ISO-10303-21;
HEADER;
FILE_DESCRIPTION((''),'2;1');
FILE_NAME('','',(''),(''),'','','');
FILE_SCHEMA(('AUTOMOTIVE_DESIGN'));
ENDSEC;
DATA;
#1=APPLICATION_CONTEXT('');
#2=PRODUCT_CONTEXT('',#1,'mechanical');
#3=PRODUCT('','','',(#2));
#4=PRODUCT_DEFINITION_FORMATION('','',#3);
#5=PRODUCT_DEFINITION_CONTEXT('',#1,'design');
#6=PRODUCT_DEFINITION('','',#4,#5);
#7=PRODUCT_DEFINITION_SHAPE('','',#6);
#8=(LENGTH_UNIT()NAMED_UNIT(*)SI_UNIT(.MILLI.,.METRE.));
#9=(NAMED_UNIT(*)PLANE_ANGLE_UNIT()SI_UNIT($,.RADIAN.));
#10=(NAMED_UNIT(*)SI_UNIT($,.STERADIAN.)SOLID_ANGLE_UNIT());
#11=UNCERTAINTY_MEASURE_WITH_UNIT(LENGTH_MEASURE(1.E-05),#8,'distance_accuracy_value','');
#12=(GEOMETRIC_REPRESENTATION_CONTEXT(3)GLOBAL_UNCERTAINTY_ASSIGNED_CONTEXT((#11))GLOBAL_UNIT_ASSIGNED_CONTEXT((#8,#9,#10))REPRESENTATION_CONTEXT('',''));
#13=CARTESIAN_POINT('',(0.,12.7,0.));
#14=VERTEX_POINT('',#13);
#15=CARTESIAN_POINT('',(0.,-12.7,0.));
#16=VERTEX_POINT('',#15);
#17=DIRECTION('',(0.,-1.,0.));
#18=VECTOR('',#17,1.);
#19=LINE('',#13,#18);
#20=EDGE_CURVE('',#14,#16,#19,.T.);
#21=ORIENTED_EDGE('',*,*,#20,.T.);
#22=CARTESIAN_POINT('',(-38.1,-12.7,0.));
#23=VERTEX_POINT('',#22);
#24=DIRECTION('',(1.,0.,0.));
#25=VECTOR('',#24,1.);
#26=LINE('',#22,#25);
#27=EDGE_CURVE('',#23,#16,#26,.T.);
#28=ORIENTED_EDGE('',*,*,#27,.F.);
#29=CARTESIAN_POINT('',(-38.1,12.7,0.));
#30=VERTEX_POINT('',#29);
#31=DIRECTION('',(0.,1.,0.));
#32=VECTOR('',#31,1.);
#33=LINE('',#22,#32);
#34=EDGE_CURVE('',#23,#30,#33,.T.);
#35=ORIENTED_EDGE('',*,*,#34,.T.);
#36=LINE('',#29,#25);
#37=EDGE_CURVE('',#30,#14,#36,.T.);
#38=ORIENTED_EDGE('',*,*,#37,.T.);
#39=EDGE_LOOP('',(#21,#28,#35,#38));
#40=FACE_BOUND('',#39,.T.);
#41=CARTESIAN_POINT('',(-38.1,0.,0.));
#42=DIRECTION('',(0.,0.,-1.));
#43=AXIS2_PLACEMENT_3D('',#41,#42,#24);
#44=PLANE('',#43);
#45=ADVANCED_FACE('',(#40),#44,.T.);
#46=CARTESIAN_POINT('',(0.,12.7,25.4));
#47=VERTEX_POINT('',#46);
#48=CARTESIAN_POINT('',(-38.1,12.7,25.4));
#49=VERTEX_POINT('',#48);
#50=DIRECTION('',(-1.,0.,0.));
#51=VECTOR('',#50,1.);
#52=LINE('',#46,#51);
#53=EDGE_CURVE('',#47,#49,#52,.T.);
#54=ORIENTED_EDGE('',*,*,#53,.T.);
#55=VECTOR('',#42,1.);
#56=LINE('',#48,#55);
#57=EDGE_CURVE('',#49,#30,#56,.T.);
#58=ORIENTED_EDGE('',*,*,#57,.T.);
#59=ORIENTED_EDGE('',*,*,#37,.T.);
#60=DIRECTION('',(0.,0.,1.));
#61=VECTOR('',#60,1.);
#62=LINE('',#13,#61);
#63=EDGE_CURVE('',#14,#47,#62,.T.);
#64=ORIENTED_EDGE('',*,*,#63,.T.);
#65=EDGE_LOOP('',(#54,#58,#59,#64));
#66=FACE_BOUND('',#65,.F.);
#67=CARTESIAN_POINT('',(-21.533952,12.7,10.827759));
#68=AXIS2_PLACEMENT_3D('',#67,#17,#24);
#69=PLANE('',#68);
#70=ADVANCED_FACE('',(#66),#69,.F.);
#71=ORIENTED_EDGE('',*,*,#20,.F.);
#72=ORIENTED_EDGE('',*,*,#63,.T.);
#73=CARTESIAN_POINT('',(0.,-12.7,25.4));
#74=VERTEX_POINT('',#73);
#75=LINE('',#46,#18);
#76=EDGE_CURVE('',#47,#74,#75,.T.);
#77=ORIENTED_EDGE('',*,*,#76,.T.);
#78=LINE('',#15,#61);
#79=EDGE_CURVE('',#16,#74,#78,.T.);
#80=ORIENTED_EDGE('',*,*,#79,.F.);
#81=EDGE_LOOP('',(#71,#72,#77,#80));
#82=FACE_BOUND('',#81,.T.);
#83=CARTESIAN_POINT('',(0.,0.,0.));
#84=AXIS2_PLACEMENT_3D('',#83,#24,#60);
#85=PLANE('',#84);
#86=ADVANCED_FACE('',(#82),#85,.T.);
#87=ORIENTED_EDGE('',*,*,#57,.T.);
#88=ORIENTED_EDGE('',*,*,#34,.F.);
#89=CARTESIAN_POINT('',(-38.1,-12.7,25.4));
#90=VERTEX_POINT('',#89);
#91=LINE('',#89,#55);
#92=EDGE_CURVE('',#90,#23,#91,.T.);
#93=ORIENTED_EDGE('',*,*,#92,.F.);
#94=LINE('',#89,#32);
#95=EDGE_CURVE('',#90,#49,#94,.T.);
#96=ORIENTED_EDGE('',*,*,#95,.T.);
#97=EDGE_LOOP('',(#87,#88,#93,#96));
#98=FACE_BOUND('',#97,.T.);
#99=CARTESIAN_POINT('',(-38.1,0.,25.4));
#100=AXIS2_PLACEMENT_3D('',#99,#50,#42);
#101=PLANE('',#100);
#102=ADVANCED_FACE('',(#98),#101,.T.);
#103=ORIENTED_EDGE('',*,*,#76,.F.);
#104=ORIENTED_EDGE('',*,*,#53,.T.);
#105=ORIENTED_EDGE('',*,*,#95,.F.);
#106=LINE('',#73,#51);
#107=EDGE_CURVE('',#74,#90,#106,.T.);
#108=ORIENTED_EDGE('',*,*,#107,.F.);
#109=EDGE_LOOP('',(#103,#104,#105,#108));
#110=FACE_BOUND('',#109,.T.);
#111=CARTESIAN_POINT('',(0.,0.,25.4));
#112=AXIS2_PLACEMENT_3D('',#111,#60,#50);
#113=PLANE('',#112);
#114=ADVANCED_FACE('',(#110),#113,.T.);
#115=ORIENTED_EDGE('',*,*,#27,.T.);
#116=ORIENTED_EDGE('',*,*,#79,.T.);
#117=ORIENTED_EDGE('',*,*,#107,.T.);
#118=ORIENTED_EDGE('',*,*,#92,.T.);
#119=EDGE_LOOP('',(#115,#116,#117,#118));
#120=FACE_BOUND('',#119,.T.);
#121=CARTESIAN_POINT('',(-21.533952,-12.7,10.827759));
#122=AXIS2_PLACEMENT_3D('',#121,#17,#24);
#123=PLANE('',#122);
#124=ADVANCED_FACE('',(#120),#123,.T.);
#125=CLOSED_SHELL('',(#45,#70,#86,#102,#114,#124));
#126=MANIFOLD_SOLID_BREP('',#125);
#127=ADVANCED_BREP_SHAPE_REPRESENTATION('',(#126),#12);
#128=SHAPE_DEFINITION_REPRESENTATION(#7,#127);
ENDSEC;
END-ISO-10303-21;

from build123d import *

# Parameters (mm, degrees)
F1_DEPTH = 12.7


with BuildPart() as f1:
    # F0 (on Front) → F1 (new body, symmetric)
    with BuildSketch(Plane.XZ):
        Polygon((-38.1, 0), (0, 0), (0, 6.35), (-19.05, 25.4), (-38.1, 25.4), align=None)
        Polygon((-19.05, 25.4), (0, 6.35), (0, 25.4), align=None)
    extrude(amount=F1_DEPTH, both=True)


solid = f1.part
